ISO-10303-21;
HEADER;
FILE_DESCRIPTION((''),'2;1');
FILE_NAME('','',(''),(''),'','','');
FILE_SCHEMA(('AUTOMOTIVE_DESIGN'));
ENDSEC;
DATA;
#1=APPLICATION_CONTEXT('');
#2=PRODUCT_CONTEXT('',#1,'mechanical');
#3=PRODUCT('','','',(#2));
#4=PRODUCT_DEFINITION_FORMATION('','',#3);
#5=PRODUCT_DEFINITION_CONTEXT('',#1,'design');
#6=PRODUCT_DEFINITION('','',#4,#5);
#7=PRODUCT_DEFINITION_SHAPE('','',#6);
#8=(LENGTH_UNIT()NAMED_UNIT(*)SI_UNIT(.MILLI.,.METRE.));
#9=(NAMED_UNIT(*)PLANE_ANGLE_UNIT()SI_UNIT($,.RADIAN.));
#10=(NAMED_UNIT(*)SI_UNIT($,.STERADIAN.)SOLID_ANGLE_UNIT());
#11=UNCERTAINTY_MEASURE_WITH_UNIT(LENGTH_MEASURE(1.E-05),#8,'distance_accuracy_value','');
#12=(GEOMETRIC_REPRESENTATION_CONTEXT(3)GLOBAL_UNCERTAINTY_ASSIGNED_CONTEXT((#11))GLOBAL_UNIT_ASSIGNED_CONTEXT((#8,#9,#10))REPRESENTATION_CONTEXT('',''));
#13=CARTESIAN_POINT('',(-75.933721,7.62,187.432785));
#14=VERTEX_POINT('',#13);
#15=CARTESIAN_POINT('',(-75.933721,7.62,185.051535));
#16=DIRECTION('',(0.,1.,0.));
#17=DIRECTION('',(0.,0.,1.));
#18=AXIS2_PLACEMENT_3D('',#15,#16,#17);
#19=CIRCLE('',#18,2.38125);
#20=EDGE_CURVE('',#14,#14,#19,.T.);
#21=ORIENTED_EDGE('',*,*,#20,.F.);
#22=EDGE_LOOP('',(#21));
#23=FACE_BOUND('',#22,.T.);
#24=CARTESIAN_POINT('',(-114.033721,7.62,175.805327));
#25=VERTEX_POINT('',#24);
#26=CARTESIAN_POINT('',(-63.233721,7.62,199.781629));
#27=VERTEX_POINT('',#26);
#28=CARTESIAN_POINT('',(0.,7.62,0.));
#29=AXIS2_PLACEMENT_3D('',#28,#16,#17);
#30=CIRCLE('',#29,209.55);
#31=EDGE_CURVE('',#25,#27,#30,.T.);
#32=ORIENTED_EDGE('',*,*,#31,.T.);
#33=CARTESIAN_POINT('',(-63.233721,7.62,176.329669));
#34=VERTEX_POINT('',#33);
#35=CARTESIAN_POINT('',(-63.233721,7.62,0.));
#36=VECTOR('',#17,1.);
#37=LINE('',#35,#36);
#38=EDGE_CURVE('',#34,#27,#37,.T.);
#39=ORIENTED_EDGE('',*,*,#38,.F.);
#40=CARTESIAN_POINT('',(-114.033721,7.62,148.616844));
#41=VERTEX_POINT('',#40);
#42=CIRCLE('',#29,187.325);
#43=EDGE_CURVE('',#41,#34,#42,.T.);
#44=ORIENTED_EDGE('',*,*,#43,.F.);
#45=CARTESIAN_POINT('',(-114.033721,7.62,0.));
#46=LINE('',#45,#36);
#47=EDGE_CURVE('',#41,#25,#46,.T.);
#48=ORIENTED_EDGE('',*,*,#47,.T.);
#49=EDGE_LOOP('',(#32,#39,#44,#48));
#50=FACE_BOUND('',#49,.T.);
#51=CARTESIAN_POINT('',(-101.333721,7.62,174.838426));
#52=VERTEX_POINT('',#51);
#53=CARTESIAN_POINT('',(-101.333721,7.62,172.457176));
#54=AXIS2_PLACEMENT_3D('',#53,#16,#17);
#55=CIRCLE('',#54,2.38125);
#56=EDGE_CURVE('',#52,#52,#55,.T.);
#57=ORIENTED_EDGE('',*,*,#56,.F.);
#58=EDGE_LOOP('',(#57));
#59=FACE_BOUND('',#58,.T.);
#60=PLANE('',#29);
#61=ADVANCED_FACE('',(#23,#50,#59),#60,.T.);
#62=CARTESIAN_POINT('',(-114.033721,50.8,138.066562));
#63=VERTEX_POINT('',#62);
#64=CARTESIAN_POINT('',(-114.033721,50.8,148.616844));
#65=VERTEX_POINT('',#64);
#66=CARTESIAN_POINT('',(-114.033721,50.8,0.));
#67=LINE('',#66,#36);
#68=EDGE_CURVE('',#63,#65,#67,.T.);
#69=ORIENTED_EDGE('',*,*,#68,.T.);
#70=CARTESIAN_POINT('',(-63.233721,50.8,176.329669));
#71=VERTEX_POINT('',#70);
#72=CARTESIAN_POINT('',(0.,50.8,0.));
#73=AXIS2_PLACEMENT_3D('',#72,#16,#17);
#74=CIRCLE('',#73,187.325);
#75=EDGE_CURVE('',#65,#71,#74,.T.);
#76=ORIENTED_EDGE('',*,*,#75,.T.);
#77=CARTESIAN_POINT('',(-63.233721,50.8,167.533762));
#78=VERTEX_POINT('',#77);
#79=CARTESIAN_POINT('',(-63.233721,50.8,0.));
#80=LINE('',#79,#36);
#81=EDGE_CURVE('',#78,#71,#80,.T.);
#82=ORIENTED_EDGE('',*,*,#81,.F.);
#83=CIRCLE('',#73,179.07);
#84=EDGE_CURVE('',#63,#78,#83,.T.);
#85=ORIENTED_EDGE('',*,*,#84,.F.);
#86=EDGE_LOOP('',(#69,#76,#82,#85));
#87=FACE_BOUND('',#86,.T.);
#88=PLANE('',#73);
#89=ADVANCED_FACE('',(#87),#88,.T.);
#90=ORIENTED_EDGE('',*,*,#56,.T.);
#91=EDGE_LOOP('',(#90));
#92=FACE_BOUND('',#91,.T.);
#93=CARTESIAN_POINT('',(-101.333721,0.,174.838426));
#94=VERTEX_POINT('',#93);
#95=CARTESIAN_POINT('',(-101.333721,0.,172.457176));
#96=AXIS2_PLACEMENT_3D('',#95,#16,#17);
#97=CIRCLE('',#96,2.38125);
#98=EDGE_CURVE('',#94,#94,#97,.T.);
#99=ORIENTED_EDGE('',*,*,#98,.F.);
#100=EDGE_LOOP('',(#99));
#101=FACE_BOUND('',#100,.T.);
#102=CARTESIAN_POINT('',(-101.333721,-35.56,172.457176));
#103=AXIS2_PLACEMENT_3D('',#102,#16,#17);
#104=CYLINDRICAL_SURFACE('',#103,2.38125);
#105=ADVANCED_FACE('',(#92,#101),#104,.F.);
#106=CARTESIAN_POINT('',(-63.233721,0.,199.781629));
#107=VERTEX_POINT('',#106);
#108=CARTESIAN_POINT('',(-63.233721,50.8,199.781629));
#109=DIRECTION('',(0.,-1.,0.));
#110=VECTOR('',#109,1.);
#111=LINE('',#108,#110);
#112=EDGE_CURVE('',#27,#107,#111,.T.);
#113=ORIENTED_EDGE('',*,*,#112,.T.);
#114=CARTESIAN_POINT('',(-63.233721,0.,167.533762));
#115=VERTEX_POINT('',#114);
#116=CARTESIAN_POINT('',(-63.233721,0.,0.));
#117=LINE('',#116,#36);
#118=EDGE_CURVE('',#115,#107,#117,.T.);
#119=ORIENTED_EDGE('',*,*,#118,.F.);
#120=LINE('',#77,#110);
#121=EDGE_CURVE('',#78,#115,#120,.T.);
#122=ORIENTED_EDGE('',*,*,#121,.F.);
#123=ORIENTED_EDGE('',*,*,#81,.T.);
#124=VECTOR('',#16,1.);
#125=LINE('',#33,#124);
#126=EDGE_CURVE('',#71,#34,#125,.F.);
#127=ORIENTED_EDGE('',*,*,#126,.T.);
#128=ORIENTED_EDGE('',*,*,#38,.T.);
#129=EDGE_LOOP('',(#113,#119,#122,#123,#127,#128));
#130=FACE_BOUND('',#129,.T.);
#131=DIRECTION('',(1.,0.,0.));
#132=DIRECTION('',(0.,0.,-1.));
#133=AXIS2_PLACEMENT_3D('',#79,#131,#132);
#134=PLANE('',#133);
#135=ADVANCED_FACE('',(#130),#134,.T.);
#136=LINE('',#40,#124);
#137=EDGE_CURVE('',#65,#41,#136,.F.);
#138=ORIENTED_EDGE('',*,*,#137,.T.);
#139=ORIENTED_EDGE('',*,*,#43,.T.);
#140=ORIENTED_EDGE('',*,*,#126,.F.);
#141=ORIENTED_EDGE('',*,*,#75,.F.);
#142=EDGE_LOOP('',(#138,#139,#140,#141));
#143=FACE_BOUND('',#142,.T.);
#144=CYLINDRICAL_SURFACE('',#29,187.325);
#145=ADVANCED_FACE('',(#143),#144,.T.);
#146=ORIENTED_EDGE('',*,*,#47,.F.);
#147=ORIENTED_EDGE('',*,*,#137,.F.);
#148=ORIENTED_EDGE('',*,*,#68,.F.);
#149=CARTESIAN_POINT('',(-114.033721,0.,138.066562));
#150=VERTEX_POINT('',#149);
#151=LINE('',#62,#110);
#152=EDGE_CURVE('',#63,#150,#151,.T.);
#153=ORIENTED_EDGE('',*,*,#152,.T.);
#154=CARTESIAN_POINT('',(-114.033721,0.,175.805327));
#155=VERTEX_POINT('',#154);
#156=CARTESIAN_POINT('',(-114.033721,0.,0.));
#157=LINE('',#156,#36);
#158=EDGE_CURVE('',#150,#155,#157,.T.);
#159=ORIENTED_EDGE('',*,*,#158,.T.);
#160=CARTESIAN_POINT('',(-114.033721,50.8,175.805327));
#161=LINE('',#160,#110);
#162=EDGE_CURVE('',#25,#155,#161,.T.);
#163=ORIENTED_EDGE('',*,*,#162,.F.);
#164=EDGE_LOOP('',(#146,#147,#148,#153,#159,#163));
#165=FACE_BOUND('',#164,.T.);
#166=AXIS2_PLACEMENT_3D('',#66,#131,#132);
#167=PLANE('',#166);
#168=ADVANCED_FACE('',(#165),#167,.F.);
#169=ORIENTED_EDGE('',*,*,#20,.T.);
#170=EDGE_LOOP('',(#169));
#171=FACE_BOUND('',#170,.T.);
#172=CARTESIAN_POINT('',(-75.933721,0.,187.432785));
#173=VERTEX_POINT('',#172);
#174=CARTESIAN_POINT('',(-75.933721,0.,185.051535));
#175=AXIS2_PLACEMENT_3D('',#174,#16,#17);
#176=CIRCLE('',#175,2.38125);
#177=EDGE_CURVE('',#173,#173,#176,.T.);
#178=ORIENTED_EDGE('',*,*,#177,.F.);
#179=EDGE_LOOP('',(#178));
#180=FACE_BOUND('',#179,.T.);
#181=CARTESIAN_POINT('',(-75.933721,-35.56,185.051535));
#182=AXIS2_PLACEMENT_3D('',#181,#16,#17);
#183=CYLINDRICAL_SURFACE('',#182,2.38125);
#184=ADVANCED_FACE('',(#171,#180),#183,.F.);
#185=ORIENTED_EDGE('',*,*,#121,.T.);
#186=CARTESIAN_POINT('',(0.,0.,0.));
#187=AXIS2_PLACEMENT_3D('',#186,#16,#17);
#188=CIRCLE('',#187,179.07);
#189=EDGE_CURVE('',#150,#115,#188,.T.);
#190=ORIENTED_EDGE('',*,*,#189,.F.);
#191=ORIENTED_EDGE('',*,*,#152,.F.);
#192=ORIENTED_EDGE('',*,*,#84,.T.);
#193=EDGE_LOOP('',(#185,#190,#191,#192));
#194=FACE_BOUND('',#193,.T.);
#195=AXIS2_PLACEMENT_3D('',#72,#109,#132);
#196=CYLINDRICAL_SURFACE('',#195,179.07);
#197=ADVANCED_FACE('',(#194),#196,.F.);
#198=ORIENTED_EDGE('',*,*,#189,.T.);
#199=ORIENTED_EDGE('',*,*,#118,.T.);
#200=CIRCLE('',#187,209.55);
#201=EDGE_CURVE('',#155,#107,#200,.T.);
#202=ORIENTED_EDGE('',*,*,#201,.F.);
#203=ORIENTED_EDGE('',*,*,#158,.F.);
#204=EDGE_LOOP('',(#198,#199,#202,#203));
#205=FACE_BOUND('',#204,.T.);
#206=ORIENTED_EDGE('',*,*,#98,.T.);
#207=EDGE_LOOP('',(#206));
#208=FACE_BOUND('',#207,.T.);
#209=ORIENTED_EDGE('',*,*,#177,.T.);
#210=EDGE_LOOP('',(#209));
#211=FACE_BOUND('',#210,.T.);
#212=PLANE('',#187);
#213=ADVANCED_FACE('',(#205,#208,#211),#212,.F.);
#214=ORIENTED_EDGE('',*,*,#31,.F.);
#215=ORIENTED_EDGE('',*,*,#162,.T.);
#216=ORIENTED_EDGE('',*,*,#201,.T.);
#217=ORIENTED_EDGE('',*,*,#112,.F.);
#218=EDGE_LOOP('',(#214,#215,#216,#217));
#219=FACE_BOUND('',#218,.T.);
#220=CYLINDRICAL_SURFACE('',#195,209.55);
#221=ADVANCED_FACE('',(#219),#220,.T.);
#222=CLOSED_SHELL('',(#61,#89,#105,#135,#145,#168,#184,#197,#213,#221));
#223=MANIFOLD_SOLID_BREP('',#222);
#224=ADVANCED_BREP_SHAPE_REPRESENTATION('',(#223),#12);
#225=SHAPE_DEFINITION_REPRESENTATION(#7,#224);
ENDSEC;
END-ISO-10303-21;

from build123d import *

# Parameters (mm, degrees)
BOSS_EXTRUDE1_DEPTH = 50.8
CUT_EXTRUDE1_START  = -43.18
SKETCH2_R           = 209.55
SKETCH2_R_2         = 187.325
CUT_EXTRUDE1_DEPTH  = 43.18
SKETCH3_R           = 2.38125
CUT_EXTRUDE2_DEPTH  = 43.18


with BuildPart() as part:
    # Sketch1 → Boss-Extrude1 (new body)
    with BuildSketch(Plane(origin=(0, 0, 0), x_dir=(1, 0, 0), z_dir=(0, 1, 0))):
        with BuildLine():
            Line((-63.233720515, -199.781628509), (-63.233720515, -167.533762239))
            ThreePointArc((-63.233720515, -167.533762239), (-89.849960422, -154.896899621), (-114.033720515, -138.066561793))
            Line((-114.033720515, -138.066561793), (-114.033720515, -175.805327239))
            ThreePointArc((-114.033720515, -175.805327239), (-89.440774639, -189.503430924), (-63.233720515, -199.781628509))
        make_face()
    extrude(amount=BOSS_EXTRUDE1_DEPTH)

    # Sketch2 → Cut-Extrude1 (cut)
    with BuildSketch(Plane(origin=(0, 50.8, 0), x_dir=(1, 0, 0), z_dir=(0, 1, 0)).offset(CUT_EXTRUDE1_START)):
        Circle(SKETCH2_R)
        Circle(SKETCH2_R_2, mode=Mode.SUBTRACT)
    extrude(amount=CUT_EXTRUDE1_DEPTH, mode=Mode.SUBTRACT)

    # Sketch3 → Cut-Extrude2 (cut)
    with BuildSketch(Plane(origin=(0, 7.62, 0), x_dir=(1, 0, 0), z_dir=(0, 1, 0))):
        with Locations(Location((-101.333720515, -172.457176457, 0), (0, 0, 270))):
            Circle(SKETCH3_R)
        with Locations(Location((-75.933720515, -185.051535291, 0), (0, 0, 270))):
            Circle(SKETCH3_R)
    extrude(amount=-CUT_EXTRUDE2_DEPTH, mode=Mode.SUBTRACT)


solid = part.part
